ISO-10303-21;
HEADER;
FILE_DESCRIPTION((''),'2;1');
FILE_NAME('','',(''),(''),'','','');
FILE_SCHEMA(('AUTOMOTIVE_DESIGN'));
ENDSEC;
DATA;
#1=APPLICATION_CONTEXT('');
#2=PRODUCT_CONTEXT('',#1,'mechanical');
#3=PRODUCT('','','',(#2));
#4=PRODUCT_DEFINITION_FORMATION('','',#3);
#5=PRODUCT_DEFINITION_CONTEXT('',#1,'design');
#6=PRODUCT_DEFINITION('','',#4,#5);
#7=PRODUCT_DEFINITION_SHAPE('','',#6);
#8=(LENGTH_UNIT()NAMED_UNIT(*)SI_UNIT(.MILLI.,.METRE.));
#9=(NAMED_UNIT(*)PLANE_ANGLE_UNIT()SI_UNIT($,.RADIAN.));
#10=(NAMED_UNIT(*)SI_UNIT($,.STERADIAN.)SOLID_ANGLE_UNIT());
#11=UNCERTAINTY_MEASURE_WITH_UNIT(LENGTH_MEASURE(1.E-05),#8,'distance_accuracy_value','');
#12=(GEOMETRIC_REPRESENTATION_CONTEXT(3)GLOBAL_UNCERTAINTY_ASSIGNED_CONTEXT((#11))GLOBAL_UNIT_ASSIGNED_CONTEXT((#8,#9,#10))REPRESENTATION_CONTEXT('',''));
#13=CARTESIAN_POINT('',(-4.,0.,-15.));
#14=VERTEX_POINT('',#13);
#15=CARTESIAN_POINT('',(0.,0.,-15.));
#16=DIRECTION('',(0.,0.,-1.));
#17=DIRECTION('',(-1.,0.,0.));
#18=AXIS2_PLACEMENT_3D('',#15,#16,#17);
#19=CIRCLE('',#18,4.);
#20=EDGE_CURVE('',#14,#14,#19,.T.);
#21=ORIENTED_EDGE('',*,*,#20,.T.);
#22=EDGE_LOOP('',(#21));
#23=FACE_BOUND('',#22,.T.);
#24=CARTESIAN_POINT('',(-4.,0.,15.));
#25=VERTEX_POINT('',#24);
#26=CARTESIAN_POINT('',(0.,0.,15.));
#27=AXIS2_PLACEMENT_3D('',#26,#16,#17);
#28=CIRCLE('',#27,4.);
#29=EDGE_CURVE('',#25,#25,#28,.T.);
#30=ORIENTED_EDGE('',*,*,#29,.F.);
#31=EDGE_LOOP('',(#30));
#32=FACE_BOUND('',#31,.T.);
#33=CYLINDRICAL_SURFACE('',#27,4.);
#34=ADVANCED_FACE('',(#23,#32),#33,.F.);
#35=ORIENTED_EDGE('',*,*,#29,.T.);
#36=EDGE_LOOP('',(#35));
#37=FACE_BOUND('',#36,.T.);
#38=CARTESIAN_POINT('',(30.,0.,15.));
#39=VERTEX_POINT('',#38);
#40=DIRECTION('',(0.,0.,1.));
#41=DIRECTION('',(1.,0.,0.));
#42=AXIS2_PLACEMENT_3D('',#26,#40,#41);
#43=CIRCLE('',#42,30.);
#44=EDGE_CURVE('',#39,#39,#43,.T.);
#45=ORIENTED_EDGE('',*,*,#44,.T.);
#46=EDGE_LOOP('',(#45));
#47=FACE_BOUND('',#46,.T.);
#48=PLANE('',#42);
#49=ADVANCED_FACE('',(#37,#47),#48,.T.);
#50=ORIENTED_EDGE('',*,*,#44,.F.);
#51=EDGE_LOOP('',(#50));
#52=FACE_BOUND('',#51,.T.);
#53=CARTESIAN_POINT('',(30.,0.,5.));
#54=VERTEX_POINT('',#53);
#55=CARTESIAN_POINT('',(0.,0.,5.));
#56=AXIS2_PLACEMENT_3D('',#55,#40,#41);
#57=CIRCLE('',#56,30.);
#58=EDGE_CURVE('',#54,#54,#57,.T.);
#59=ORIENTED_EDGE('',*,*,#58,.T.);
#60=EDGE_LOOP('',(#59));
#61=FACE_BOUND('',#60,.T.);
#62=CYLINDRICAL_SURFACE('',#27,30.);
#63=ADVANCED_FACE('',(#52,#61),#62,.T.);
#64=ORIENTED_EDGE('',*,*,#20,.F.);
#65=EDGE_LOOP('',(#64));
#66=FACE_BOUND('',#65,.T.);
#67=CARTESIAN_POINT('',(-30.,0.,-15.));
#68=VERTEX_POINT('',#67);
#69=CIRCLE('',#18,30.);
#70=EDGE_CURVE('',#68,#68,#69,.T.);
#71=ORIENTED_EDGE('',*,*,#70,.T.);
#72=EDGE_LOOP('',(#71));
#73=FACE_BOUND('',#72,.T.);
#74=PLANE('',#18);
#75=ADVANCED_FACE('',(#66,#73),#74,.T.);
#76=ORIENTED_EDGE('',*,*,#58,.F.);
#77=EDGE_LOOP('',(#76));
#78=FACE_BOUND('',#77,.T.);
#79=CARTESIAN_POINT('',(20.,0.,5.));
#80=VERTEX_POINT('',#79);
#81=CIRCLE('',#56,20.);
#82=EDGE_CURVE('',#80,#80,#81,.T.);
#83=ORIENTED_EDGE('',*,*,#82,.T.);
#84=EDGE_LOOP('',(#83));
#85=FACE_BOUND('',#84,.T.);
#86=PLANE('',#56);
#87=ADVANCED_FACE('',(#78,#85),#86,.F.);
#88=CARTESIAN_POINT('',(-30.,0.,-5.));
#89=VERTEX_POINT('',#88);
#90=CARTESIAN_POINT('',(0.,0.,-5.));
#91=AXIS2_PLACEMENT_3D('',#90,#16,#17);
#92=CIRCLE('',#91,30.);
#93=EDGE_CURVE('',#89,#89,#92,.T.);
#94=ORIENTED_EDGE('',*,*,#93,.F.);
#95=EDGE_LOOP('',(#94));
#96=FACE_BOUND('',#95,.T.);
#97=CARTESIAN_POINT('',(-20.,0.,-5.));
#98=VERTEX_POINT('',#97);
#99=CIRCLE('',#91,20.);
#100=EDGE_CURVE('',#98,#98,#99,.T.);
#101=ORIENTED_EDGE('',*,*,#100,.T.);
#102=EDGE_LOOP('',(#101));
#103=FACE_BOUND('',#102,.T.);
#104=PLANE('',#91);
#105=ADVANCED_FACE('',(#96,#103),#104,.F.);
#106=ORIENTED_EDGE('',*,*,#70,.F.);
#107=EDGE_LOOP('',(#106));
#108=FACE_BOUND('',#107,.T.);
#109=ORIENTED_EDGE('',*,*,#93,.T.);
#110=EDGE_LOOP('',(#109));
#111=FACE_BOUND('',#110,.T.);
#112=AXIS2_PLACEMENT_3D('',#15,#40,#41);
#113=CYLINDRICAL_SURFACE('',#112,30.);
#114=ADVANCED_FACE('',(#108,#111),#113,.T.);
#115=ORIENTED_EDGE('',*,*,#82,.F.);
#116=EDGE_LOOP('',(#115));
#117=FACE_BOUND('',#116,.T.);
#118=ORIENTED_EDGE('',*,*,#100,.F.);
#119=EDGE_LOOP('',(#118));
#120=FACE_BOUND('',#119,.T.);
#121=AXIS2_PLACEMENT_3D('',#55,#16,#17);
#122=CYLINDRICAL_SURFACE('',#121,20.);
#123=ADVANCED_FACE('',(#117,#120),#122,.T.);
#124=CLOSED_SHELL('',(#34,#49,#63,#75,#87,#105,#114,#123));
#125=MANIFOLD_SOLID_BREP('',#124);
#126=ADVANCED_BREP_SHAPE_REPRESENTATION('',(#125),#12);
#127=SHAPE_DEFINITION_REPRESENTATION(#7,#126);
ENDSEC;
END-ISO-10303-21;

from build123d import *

# Parameters (mm, degrees)
SKETCH1_R          = 20
EXTRUDE1_DEPTH     = 5
SKETCH2_R          = 30
EXTRUDE2_DEPTH     = 10
EXTRUDE3_START     = 10
SKETCH3_R          = 30
EXTRUDE3_DEPTH     = 10
SKETCH4_R          = 4
CUT_EXTRUDE1_DEPTH = 30


with BuildPart() as part:
    # Sketch1 → Extrude1 (new, symmetric)
    with BuildSketch(Plane.XY):
        Circle(SKETCH1_R)
    extrude(amount=EXTRUDE1_DEPTH, both=True)

    # Sketch2 → Extrude2 (add)
    with BuildSketch(Plane.XY.offset(5)):
        Circle(SKETCH2_R)
    extrude(amount=EXTRUDE2_DEPTH)

    # Sketch3 → Extrude3 (add)
    with BuildSketch(Plane(origin=(0, 0, -5), x_dir=(-1, 0, 0), z_dir=(0, 0, -1)).offset(EXTRUDE3_START)):
        with Locations(Location((0, 0, 0), (0, 0, 180))):
            Circle(SKETCH3_R)
    extrude(amount=-EXTRUDE3_DEPTH)

    # Sketch4 → Cut-Extrude1 (cut)
    with BuildSketch(Plane(origin=(0, 0, -15), x_dir=(-1, 0, 0), z_dir=(0, 0, -1))):
        Circle(SKETCH4_R)
    extrude(amount=-CUT_EXTRUDE1_DEPTH, mode=Mode.SUBTRACT)


solid = part.part
